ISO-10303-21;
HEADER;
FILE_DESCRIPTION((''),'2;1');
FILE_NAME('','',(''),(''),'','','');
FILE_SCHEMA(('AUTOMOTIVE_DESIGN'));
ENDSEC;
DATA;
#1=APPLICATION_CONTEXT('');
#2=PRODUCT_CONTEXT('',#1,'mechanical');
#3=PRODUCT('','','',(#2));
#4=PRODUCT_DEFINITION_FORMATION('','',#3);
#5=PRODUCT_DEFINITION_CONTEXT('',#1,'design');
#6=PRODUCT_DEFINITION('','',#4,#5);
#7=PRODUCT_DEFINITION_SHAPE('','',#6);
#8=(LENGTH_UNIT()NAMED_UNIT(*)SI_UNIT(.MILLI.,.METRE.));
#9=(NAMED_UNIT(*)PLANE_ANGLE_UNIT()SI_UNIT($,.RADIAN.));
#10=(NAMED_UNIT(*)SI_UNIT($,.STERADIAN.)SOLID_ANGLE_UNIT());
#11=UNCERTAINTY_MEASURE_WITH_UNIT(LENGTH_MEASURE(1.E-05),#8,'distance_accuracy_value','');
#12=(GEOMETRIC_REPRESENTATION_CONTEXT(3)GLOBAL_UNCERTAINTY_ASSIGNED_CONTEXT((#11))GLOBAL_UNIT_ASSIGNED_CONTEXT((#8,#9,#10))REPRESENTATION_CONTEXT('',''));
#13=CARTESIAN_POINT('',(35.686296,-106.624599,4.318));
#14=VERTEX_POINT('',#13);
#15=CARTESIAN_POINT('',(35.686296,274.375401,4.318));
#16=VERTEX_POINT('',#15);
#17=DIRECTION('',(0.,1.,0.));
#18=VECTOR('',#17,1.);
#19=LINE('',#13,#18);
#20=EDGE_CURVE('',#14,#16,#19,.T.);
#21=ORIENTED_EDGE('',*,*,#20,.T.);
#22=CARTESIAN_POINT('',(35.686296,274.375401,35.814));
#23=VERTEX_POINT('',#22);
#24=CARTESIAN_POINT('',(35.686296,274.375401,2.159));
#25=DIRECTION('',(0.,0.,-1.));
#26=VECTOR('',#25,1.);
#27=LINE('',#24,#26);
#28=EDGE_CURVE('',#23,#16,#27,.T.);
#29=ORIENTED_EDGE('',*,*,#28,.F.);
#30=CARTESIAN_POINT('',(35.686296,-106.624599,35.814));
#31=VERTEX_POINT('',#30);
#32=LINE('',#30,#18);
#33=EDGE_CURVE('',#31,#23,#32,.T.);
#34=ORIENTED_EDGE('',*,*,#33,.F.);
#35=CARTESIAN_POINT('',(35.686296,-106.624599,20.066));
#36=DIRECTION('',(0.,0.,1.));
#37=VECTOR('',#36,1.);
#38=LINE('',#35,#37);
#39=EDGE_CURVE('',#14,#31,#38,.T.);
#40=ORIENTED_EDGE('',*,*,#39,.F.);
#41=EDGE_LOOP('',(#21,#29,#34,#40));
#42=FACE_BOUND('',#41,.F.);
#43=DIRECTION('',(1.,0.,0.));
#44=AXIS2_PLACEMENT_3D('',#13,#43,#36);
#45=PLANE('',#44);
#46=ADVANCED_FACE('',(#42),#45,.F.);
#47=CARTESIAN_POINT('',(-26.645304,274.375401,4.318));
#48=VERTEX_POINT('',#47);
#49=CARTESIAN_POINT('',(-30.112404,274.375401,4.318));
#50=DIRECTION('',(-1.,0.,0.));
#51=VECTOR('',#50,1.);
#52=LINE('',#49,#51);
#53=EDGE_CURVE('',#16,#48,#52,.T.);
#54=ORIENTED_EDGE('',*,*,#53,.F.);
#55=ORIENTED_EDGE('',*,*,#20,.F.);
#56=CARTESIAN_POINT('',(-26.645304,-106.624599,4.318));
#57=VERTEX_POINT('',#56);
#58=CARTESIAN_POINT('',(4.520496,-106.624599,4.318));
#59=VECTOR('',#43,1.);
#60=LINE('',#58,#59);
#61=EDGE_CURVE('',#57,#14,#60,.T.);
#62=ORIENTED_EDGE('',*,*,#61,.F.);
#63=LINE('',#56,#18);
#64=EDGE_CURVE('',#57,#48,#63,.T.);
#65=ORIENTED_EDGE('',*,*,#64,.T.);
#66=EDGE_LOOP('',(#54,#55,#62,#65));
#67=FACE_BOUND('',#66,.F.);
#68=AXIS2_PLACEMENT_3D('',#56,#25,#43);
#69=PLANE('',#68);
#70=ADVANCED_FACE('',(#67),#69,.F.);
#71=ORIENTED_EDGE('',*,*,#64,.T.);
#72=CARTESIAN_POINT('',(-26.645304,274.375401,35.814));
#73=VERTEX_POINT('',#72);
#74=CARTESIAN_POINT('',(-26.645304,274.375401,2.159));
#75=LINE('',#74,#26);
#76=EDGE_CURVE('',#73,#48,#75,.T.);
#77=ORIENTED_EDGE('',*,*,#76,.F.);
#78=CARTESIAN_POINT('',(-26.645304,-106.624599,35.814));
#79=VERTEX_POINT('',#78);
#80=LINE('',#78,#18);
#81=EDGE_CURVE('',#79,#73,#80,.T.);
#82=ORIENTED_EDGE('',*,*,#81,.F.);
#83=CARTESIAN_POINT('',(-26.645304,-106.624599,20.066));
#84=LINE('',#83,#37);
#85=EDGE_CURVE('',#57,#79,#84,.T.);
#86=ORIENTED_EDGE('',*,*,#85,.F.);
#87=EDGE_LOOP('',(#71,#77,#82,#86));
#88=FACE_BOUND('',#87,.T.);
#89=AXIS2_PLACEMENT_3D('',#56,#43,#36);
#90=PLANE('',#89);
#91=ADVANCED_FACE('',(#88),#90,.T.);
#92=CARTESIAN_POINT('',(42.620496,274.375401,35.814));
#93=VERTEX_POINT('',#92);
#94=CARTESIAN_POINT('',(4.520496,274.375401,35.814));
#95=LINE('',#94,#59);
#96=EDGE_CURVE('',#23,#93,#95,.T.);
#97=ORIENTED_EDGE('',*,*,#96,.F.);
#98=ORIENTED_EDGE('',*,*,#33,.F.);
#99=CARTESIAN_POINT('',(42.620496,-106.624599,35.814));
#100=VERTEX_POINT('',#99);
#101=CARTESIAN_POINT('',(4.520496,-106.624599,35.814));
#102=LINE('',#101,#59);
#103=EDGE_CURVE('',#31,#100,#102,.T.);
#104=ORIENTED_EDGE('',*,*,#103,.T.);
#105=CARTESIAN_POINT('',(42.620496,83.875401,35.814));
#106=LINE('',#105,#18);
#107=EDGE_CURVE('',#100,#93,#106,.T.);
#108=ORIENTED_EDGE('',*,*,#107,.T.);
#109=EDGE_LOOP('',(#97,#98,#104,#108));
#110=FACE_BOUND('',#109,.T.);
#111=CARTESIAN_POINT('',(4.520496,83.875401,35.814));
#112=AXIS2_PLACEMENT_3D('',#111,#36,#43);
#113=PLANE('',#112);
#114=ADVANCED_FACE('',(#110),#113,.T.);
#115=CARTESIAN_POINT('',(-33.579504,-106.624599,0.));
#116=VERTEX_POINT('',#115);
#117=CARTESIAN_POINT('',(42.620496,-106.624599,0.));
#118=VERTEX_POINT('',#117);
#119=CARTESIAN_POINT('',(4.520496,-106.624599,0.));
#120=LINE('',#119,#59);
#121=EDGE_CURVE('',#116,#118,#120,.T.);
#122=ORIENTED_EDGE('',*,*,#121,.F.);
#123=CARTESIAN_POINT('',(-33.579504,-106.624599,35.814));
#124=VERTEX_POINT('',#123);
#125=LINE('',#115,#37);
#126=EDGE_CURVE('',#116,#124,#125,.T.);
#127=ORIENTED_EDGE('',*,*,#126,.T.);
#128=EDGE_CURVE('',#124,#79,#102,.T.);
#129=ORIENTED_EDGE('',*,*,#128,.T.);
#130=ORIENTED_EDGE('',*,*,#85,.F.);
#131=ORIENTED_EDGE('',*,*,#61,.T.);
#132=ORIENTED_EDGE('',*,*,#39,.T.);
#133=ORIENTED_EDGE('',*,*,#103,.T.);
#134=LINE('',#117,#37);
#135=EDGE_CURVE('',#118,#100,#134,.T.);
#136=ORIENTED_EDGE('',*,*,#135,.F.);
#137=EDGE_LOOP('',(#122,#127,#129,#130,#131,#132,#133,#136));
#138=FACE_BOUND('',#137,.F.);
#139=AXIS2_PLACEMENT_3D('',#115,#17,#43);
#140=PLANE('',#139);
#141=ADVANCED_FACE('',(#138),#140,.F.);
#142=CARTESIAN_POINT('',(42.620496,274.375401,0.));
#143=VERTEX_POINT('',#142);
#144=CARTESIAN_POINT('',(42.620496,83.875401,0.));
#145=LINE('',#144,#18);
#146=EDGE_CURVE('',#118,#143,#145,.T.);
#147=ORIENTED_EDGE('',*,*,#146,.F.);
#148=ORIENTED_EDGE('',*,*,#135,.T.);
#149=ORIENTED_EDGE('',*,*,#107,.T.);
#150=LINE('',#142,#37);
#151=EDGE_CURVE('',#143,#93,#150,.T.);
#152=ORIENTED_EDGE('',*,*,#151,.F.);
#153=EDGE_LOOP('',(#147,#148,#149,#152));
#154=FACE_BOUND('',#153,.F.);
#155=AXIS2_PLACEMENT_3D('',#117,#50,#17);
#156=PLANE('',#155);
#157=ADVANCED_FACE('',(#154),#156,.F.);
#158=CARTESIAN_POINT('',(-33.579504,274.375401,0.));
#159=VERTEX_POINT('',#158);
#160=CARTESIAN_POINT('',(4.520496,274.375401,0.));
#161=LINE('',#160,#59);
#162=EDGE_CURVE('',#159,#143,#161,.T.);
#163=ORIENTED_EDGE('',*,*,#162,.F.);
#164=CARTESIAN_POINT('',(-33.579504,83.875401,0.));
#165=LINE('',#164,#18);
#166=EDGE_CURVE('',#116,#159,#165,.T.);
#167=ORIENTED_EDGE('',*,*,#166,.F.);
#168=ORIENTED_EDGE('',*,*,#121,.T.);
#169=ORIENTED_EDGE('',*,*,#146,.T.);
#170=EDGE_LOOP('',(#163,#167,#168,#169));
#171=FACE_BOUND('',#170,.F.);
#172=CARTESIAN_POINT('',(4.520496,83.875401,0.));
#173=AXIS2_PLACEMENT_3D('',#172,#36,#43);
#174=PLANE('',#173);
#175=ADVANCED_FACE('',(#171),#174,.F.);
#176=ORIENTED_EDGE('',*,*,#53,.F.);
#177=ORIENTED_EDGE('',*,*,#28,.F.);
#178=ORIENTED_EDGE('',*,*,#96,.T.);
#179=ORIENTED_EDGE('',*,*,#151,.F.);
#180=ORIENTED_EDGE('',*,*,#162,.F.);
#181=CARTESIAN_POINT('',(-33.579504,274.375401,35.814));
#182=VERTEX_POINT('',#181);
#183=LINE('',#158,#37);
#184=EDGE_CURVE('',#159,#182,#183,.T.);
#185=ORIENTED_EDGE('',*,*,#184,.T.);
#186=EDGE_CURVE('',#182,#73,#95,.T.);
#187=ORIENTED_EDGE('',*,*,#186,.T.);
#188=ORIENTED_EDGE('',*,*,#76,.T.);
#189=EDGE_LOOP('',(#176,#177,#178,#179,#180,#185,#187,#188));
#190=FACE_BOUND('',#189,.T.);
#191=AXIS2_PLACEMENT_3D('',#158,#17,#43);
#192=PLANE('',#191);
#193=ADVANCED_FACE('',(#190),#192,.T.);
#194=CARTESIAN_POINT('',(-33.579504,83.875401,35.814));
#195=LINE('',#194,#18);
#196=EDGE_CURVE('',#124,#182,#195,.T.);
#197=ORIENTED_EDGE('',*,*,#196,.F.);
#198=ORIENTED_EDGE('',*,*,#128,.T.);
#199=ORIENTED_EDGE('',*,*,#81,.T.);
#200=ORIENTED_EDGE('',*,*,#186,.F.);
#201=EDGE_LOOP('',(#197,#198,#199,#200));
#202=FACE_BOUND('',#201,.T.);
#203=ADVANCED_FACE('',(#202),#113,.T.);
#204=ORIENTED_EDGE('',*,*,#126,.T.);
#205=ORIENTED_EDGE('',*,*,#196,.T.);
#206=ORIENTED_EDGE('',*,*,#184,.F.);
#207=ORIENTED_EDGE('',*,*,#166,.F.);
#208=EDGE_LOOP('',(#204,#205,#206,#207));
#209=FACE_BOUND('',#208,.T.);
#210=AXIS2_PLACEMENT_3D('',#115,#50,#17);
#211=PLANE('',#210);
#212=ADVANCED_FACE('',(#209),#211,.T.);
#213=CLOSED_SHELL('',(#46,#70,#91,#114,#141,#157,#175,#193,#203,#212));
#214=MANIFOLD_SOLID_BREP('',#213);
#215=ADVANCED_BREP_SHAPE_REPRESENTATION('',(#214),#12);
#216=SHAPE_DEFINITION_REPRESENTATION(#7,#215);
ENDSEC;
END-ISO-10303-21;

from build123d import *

# Parameters (mm, degrees)
F0_W     = 76.2
F0_H     = 381
F1_DEPTH = 35.814
F2_W     = 62.3316
F2_H     = 31.496
F3_DEPTH = 381.001


with BuildPart() as f1:
    # F0 (on Top) → F1 (new body)
    with BuildSketch(Plane.XY):
        with Locations((4.520496, 83.875401)):
            Rectangle(F0_W, F0_H)
    extrude(amount=F1_DEPTH)

    # F2 (on face) → F3 (cut, through all)
    with BuildSketch(Plane.XZ.offset(106.624599)):
        with Locations((4.520496, 20.066)):
            Rectangle(F2_W, F2_H)
    extrude(amount=-F3_DEPTH, mode=Mode.SUBTRACT)


solid = f1.part
